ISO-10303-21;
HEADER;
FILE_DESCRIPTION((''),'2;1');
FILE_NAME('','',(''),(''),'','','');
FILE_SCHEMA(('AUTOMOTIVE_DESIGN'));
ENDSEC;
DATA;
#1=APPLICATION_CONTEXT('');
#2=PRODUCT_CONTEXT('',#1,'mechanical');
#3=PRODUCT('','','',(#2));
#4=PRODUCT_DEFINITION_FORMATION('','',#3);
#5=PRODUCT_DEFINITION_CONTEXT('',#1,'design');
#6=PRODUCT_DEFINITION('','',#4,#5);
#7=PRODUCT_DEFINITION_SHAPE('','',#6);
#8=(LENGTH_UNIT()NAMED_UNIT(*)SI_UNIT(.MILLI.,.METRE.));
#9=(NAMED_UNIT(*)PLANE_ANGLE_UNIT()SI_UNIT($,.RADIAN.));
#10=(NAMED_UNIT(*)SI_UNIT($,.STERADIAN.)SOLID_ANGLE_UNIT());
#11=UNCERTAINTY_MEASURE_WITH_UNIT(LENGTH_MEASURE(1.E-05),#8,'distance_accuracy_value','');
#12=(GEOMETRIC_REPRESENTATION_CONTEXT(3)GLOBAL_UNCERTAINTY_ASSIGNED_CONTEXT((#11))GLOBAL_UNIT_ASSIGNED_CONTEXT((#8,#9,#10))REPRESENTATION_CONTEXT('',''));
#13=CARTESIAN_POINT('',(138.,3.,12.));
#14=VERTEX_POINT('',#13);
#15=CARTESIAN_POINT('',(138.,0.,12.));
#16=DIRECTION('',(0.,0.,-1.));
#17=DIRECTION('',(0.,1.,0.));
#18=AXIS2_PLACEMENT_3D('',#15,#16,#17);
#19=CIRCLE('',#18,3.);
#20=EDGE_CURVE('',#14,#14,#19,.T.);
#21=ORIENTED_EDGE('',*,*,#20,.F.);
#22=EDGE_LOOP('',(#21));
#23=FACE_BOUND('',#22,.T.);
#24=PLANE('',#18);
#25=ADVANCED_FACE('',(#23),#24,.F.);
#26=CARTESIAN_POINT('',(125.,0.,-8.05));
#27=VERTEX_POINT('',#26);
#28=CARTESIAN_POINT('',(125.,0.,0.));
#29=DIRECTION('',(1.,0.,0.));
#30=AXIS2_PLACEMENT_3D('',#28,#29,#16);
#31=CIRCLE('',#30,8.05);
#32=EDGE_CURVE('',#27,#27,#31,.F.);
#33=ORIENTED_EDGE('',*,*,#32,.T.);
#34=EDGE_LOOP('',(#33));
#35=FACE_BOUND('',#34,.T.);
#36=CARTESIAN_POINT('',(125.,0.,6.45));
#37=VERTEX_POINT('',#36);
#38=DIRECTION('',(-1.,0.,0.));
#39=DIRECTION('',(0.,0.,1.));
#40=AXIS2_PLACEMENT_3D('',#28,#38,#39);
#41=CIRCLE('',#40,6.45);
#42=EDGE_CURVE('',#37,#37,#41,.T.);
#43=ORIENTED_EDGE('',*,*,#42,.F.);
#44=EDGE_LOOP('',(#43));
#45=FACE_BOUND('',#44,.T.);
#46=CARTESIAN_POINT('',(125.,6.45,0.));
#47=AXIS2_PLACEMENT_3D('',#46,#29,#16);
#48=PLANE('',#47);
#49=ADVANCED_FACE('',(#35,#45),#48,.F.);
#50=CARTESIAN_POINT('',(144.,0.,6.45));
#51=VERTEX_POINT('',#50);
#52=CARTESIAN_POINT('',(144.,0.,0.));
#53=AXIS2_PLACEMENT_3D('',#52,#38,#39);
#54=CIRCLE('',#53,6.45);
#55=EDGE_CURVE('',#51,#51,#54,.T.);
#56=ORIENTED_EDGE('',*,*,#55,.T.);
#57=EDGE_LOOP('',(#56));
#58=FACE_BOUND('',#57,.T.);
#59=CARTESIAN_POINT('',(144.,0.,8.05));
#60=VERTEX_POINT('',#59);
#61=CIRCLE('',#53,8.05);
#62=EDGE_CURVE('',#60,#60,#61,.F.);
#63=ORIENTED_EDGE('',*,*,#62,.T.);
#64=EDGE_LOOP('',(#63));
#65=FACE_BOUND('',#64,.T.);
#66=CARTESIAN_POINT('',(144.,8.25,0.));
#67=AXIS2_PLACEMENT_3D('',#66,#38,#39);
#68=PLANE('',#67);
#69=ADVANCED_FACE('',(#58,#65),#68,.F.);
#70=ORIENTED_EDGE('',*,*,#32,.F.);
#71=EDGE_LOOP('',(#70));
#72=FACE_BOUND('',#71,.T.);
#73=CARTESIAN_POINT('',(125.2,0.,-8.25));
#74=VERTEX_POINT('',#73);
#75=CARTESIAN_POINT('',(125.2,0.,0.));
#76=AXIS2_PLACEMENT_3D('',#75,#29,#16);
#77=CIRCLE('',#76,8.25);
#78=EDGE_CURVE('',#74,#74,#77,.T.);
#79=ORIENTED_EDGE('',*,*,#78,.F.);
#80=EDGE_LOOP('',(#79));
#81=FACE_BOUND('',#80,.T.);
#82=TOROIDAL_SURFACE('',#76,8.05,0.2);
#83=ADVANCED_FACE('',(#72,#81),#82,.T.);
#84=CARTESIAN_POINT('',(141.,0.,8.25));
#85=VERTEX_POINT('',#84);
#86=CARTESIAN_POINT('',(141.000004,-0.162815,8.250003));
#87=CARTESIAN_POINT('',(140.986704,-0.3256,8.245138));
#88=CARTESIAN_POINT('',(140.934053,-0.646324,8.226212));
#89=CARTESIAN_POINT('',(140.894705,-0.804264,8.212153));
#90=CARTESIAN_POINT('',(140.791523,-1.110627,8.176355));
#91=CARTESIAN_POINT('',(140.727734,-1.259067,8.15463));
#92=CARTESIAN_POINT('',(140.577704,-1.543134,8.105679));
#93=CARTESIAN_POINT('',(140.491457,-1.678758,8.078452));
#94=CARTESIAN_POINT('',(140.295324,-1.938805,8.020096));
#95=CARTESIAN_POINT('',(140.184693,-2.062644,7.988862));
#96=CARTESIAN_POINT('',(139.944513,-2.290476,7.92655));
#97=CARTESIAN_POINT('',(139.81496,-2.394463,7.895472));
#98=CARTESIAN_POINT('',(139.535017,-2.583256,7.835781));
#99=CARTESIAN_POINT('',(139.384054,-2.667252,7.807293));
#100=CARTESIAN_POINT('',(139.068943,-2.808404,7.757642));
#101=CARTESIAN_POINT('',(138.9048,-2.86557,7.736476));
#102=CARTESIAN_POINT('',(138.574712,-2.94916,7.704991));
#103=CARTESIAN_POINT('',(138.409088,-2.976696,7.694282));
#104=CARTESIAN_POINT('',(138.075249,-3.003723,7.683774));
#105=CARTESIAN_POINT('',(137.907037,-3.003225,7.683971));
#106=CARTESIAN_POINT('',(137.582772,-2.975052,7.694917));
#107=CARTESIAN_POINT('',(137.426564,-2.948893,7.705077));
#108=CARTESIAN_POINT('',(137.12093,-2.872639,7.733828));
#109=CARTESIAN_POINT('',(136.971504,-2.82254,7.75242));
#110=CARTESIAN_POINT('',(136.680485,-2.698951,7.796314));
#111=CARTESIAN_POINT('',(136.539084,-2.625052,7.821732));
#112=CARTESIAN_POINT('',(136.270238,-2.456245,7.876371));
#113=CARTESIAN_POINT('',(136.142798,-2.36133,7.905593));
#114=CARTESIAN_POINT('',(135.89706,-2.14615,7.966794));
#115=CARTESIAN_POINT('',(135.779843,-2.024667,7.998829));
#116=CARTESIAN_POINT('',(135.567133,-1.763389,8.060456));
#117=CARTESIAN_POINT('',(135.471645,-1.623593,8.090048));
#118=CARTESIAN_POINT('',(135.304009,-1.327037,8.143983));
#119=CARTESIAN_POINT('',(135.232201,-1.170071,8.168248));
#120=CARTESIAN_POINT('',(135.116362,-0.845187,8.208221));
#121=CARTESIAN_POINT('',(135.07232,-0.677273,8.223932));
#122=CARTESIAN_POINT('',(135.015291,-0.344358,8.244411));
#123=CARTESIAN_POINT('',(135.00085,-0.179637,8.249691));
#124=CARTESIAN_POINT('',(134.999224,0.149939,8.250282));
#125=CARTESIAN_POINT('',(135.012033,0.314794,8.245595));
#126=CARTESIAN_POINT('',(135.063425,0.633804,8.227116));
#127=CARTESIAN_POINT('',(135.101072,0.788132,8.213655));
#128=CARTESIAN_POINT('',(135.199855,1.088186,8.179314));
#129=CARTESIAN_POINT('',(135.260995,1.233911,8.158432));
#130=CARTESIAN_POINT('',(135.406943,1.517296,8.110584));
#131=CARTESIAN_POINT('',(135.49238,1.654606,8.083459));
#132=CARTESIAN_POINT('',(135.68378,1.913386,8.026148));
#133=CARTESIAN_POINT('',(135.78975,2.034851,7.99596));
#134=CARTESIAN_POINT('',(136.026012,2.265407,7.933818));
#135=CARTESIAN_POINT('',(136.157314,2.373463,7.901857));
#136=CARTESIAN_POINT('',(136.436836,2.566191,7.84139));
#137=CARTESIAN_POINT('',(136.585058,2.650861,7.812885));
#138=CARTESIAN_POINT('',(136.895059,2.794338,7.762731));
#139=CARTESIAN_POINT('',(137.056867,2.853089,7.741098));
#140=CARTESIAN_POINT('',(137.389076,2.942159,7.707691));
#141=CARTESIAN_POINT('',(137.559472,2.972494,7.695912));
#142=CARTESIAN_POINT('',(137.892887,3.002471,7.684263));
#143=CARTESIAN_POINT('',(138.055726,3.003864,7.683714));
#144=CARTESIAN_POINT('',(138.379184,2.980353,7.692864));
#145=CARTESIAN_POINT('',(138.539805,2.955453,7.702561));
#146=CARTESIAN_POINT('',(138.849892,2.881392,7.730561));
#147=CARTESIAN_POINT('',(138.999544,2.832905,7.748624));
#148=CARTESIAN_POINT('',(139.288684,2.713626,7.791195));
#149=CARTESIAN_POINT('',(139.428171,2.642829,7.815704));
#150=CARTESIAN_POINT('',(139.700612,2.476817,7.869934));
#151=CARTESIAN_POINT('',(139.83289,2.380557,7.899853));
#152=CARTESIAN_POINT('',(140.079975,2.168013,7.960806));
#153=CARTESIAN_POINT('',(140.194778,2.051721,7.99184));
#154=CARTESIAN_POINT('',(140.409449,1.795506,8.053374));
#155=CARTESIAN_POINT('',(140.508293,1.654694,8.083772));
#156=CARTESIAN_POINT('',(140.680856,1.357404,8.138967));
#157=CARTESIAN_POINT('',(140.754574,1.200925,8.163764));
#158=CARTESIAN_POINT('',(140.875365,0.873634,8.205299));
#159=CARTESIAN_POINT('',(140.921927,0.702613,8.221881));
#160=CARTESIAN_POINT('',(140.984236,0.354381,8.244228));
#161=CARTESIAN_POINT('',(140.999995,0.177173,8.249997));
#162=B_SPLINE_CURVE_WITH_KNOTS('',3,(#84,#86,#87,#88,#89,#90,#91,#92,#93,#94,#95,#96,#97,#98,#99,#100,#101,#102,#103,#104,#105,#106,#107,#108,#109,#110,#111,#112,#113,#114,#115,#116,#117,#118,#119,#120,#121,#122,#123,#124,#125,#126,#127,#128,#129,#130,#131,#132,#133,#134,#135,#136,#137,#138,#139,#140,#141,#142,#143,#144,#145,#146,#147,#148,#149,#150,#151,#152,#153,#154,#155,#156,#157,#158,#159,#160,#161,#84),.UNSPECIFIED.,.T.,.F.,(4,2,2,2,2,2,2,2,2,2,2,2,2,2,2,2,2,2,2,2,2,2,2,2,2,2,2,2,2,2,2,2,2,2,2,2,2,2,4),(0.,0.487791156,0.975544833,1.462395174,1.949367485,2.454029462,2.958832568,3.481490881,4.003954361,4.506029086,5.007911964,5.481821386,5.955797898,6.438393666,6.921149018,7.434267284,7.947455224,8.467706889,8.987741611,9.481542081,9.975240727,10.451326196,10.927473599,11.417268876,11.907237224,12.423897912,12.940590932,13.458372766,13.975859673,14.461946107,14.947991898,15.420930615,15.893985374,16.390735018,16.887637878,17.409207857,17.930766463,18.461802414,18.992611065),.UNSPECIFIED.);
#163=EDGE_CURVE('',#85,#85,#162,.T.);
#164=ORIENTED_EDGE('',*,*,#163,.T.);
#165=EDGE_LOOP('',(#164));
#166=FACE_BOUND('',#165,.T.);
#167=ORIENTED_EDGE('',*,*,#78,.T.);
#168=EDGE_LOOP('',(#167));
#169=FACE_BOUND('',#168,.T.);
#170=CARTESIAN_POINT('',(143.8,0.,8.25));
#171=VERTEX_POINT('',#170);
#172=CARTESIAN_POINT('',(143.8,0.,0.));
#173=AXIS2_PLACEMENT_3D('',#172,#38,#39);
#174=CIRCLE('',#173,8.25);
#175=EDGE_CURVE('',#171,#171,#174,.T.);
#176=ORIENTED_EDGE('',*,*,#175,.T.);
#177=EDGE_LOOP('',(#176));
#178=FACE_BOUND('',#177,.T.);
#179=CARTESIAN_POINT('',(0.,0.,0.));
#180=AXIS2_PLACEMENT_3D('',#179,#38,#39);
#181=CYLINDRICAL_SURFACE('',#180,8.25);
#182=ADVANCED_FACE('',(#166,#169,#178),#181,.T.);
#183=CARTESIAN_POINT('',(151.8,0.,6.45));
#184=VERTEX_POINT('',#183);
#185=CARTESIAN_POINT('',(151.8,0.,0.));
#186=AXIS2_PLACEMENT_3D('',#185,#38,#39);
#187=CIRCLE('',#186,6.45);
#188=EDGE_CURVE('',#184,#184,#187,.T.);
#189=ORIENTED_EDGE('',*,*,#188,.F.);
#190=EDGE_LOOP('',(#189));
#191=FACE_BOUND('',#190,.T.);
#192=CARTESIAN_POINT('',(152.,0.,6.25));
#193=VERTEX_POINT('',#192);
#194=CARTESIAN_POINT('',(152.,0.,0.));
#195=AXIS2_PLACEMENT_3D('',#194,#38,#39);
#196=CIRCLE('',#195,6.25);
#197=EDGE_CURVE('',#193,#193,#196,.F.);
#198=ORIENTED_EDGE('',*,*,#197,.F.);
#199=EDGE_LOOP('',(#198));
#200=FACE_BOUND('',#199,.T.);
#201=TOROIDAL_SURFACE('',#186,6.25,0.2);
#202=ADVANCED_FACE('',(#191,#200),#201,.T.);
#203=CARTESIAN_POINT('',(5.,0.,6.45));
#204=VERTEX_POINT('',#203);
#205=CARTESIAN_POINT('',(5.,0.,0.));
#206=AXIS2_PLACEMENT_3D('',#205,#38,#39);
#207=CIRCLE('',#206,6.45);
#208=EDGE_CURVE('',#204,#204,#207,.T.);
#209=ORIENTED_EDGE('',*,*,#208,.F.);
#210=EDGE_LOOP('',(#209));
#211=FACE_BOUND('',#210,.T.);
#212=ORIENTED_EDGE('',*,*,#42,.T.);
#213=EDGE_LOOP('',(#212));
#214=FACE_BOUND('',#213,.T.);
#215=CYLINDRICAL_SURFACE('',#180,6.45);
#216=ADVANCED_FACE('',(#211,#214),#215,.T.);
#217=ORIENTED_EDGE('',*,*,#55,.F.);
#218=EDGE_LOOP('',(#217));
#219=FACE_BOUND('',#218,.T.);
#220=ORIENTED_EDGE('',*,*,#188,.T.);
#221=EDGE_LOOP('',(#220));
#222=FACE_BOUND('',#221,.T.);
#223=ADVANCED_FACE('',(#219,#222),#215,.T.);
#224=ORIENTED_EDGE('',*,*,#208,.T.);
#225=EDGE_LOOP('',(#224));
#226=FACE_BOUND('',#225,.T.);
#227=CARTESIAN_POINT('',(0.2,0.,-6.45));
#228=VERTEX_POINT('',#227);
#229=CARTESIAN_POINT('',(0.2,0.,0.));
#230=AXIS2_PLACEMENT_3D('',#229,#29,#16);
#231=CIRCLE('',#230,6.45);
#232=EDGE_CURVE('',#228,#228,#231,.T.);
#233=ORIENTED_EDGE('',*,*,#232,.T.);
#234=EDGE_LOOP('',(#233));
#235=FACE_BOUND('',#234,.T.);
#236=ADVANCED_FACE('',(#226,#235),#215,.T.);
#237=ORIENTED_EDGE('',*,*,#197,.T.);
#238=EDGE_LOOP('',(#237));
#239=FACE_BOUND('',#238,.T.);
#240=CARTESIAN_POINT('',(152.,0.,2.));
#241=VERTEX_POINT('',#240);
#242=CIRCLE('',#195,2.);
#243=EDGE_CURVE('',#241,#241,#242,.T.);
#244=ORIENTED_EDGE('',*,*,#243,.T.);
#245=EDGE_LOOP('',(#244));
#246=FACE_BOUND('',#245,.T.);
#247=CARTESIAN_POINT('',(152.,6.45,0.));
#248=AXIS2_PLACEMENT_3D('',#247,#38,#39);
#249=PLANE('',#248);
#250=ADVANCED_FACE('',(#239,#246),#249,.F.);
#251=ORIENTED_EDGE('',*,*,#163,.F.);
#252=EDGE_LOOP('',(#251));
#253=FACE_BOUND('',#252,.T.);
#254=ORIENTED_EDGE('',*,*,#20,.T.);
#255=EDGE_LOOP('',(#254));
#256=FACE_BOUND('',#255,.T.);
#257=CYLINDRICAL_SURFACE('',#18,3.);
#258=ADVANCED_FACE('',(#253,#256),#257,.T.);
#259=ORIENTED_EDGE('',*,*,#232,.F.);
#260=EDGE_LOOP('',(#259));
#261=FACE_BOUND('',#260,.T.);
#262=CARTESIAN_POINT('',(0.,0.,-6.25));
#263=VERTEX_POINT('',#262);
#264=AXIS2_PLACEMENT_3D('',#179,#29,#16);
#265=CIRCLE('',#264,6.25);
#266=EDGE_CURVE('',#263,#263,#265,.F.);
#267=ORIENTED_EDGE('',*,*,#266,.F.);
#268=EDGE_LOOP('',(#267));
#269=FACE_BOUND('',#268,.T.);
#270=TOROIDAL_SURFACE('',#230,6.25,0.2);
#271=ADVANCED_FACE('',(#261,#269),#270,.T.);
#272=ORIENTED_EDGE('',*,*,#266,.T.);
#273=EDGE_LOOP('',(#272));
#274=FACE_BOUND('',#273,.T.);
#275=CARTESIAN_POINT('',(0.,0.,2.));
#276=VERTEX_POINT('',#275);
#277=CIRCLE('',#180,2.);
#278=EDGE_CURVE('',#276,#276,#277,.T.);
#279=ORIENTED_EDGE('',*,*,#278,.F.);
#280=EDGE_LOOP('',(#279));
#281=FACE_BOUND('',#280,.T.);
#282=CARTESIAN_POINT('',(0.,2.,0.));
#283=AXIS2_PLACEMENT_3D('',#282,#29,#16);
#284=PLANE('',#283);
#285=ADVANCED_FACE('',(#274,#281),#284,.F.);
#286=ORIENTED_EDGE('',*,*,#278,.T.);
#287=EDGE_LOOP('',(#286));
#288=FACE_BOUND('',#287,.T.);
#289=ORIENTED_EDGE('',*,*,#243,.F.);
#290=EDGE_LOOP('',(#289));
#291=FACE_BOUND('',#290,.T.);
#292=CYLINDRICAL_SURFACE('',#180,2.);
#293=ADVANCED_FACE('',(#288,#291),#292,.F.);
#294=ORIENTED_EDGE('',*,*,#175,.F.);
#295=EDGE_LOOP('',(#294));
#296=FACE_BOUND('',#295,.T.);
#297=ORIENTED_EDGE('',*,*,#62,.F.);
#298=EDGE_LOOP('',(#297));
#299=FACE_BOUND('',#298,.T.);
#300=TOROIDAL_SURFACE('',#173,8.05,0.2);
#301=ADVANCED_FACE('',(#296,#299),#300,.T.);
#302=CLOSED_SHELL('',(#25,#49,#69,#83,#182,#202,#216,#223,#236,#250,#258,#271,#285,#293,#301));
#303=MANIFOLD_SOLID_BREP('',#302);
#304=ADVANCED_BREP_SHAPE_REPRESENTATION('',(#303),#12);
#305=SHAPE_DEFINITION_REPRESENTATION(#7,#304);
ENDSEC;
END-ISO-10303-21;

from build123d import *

# Parameters (mm, degrees)
ZAOKR_GLENIE1_R             = 0.2
SZKIC3_R                    = 3
DODANIE_WYCI_GNI_CIE1_DEPTH = 10


with BuildPart() as part:
    # Szkic1 → Obrót1 (revolve)
    with BuildSketch(Plane.XY):
        Polygon((0, 2), (152, 2), (152, 6.45), (144, 6.45), (144, 8.25), (125, 8.25), (125, 6.45), (0, 6.45), align=None)
    revolve(axis=Axis((0, 0, 0), (1, 0, 0)))

    # Zaokrąglenie1
    zaokr_glenie1_edges = [part.edges().sort_by_distance(p)[0] for p in [
        (152, -6.45, 0),
        (144, -8.25, 0),
        (125, -8.25, 0),
        (0, -6.45, 0),
    ]]
    fillet(zaokr_glenie1_edges, radius=ZAOKR_GLENIE1_R)

    # Szkic3 → Dodanie-wyciągnięcie1 (add)
    with BuildSketch(Plane(origin=(0, 0, 2), x_dir=(-1, 0, 0), z_dir=(0, 0, -1))):
        with Locations((-138, 0)):
            Circle(SZKIC3_R)
    extrude(amount=-DODANIE_WYCI_GNI_CIE1_DEPTH)


solid = part.part
